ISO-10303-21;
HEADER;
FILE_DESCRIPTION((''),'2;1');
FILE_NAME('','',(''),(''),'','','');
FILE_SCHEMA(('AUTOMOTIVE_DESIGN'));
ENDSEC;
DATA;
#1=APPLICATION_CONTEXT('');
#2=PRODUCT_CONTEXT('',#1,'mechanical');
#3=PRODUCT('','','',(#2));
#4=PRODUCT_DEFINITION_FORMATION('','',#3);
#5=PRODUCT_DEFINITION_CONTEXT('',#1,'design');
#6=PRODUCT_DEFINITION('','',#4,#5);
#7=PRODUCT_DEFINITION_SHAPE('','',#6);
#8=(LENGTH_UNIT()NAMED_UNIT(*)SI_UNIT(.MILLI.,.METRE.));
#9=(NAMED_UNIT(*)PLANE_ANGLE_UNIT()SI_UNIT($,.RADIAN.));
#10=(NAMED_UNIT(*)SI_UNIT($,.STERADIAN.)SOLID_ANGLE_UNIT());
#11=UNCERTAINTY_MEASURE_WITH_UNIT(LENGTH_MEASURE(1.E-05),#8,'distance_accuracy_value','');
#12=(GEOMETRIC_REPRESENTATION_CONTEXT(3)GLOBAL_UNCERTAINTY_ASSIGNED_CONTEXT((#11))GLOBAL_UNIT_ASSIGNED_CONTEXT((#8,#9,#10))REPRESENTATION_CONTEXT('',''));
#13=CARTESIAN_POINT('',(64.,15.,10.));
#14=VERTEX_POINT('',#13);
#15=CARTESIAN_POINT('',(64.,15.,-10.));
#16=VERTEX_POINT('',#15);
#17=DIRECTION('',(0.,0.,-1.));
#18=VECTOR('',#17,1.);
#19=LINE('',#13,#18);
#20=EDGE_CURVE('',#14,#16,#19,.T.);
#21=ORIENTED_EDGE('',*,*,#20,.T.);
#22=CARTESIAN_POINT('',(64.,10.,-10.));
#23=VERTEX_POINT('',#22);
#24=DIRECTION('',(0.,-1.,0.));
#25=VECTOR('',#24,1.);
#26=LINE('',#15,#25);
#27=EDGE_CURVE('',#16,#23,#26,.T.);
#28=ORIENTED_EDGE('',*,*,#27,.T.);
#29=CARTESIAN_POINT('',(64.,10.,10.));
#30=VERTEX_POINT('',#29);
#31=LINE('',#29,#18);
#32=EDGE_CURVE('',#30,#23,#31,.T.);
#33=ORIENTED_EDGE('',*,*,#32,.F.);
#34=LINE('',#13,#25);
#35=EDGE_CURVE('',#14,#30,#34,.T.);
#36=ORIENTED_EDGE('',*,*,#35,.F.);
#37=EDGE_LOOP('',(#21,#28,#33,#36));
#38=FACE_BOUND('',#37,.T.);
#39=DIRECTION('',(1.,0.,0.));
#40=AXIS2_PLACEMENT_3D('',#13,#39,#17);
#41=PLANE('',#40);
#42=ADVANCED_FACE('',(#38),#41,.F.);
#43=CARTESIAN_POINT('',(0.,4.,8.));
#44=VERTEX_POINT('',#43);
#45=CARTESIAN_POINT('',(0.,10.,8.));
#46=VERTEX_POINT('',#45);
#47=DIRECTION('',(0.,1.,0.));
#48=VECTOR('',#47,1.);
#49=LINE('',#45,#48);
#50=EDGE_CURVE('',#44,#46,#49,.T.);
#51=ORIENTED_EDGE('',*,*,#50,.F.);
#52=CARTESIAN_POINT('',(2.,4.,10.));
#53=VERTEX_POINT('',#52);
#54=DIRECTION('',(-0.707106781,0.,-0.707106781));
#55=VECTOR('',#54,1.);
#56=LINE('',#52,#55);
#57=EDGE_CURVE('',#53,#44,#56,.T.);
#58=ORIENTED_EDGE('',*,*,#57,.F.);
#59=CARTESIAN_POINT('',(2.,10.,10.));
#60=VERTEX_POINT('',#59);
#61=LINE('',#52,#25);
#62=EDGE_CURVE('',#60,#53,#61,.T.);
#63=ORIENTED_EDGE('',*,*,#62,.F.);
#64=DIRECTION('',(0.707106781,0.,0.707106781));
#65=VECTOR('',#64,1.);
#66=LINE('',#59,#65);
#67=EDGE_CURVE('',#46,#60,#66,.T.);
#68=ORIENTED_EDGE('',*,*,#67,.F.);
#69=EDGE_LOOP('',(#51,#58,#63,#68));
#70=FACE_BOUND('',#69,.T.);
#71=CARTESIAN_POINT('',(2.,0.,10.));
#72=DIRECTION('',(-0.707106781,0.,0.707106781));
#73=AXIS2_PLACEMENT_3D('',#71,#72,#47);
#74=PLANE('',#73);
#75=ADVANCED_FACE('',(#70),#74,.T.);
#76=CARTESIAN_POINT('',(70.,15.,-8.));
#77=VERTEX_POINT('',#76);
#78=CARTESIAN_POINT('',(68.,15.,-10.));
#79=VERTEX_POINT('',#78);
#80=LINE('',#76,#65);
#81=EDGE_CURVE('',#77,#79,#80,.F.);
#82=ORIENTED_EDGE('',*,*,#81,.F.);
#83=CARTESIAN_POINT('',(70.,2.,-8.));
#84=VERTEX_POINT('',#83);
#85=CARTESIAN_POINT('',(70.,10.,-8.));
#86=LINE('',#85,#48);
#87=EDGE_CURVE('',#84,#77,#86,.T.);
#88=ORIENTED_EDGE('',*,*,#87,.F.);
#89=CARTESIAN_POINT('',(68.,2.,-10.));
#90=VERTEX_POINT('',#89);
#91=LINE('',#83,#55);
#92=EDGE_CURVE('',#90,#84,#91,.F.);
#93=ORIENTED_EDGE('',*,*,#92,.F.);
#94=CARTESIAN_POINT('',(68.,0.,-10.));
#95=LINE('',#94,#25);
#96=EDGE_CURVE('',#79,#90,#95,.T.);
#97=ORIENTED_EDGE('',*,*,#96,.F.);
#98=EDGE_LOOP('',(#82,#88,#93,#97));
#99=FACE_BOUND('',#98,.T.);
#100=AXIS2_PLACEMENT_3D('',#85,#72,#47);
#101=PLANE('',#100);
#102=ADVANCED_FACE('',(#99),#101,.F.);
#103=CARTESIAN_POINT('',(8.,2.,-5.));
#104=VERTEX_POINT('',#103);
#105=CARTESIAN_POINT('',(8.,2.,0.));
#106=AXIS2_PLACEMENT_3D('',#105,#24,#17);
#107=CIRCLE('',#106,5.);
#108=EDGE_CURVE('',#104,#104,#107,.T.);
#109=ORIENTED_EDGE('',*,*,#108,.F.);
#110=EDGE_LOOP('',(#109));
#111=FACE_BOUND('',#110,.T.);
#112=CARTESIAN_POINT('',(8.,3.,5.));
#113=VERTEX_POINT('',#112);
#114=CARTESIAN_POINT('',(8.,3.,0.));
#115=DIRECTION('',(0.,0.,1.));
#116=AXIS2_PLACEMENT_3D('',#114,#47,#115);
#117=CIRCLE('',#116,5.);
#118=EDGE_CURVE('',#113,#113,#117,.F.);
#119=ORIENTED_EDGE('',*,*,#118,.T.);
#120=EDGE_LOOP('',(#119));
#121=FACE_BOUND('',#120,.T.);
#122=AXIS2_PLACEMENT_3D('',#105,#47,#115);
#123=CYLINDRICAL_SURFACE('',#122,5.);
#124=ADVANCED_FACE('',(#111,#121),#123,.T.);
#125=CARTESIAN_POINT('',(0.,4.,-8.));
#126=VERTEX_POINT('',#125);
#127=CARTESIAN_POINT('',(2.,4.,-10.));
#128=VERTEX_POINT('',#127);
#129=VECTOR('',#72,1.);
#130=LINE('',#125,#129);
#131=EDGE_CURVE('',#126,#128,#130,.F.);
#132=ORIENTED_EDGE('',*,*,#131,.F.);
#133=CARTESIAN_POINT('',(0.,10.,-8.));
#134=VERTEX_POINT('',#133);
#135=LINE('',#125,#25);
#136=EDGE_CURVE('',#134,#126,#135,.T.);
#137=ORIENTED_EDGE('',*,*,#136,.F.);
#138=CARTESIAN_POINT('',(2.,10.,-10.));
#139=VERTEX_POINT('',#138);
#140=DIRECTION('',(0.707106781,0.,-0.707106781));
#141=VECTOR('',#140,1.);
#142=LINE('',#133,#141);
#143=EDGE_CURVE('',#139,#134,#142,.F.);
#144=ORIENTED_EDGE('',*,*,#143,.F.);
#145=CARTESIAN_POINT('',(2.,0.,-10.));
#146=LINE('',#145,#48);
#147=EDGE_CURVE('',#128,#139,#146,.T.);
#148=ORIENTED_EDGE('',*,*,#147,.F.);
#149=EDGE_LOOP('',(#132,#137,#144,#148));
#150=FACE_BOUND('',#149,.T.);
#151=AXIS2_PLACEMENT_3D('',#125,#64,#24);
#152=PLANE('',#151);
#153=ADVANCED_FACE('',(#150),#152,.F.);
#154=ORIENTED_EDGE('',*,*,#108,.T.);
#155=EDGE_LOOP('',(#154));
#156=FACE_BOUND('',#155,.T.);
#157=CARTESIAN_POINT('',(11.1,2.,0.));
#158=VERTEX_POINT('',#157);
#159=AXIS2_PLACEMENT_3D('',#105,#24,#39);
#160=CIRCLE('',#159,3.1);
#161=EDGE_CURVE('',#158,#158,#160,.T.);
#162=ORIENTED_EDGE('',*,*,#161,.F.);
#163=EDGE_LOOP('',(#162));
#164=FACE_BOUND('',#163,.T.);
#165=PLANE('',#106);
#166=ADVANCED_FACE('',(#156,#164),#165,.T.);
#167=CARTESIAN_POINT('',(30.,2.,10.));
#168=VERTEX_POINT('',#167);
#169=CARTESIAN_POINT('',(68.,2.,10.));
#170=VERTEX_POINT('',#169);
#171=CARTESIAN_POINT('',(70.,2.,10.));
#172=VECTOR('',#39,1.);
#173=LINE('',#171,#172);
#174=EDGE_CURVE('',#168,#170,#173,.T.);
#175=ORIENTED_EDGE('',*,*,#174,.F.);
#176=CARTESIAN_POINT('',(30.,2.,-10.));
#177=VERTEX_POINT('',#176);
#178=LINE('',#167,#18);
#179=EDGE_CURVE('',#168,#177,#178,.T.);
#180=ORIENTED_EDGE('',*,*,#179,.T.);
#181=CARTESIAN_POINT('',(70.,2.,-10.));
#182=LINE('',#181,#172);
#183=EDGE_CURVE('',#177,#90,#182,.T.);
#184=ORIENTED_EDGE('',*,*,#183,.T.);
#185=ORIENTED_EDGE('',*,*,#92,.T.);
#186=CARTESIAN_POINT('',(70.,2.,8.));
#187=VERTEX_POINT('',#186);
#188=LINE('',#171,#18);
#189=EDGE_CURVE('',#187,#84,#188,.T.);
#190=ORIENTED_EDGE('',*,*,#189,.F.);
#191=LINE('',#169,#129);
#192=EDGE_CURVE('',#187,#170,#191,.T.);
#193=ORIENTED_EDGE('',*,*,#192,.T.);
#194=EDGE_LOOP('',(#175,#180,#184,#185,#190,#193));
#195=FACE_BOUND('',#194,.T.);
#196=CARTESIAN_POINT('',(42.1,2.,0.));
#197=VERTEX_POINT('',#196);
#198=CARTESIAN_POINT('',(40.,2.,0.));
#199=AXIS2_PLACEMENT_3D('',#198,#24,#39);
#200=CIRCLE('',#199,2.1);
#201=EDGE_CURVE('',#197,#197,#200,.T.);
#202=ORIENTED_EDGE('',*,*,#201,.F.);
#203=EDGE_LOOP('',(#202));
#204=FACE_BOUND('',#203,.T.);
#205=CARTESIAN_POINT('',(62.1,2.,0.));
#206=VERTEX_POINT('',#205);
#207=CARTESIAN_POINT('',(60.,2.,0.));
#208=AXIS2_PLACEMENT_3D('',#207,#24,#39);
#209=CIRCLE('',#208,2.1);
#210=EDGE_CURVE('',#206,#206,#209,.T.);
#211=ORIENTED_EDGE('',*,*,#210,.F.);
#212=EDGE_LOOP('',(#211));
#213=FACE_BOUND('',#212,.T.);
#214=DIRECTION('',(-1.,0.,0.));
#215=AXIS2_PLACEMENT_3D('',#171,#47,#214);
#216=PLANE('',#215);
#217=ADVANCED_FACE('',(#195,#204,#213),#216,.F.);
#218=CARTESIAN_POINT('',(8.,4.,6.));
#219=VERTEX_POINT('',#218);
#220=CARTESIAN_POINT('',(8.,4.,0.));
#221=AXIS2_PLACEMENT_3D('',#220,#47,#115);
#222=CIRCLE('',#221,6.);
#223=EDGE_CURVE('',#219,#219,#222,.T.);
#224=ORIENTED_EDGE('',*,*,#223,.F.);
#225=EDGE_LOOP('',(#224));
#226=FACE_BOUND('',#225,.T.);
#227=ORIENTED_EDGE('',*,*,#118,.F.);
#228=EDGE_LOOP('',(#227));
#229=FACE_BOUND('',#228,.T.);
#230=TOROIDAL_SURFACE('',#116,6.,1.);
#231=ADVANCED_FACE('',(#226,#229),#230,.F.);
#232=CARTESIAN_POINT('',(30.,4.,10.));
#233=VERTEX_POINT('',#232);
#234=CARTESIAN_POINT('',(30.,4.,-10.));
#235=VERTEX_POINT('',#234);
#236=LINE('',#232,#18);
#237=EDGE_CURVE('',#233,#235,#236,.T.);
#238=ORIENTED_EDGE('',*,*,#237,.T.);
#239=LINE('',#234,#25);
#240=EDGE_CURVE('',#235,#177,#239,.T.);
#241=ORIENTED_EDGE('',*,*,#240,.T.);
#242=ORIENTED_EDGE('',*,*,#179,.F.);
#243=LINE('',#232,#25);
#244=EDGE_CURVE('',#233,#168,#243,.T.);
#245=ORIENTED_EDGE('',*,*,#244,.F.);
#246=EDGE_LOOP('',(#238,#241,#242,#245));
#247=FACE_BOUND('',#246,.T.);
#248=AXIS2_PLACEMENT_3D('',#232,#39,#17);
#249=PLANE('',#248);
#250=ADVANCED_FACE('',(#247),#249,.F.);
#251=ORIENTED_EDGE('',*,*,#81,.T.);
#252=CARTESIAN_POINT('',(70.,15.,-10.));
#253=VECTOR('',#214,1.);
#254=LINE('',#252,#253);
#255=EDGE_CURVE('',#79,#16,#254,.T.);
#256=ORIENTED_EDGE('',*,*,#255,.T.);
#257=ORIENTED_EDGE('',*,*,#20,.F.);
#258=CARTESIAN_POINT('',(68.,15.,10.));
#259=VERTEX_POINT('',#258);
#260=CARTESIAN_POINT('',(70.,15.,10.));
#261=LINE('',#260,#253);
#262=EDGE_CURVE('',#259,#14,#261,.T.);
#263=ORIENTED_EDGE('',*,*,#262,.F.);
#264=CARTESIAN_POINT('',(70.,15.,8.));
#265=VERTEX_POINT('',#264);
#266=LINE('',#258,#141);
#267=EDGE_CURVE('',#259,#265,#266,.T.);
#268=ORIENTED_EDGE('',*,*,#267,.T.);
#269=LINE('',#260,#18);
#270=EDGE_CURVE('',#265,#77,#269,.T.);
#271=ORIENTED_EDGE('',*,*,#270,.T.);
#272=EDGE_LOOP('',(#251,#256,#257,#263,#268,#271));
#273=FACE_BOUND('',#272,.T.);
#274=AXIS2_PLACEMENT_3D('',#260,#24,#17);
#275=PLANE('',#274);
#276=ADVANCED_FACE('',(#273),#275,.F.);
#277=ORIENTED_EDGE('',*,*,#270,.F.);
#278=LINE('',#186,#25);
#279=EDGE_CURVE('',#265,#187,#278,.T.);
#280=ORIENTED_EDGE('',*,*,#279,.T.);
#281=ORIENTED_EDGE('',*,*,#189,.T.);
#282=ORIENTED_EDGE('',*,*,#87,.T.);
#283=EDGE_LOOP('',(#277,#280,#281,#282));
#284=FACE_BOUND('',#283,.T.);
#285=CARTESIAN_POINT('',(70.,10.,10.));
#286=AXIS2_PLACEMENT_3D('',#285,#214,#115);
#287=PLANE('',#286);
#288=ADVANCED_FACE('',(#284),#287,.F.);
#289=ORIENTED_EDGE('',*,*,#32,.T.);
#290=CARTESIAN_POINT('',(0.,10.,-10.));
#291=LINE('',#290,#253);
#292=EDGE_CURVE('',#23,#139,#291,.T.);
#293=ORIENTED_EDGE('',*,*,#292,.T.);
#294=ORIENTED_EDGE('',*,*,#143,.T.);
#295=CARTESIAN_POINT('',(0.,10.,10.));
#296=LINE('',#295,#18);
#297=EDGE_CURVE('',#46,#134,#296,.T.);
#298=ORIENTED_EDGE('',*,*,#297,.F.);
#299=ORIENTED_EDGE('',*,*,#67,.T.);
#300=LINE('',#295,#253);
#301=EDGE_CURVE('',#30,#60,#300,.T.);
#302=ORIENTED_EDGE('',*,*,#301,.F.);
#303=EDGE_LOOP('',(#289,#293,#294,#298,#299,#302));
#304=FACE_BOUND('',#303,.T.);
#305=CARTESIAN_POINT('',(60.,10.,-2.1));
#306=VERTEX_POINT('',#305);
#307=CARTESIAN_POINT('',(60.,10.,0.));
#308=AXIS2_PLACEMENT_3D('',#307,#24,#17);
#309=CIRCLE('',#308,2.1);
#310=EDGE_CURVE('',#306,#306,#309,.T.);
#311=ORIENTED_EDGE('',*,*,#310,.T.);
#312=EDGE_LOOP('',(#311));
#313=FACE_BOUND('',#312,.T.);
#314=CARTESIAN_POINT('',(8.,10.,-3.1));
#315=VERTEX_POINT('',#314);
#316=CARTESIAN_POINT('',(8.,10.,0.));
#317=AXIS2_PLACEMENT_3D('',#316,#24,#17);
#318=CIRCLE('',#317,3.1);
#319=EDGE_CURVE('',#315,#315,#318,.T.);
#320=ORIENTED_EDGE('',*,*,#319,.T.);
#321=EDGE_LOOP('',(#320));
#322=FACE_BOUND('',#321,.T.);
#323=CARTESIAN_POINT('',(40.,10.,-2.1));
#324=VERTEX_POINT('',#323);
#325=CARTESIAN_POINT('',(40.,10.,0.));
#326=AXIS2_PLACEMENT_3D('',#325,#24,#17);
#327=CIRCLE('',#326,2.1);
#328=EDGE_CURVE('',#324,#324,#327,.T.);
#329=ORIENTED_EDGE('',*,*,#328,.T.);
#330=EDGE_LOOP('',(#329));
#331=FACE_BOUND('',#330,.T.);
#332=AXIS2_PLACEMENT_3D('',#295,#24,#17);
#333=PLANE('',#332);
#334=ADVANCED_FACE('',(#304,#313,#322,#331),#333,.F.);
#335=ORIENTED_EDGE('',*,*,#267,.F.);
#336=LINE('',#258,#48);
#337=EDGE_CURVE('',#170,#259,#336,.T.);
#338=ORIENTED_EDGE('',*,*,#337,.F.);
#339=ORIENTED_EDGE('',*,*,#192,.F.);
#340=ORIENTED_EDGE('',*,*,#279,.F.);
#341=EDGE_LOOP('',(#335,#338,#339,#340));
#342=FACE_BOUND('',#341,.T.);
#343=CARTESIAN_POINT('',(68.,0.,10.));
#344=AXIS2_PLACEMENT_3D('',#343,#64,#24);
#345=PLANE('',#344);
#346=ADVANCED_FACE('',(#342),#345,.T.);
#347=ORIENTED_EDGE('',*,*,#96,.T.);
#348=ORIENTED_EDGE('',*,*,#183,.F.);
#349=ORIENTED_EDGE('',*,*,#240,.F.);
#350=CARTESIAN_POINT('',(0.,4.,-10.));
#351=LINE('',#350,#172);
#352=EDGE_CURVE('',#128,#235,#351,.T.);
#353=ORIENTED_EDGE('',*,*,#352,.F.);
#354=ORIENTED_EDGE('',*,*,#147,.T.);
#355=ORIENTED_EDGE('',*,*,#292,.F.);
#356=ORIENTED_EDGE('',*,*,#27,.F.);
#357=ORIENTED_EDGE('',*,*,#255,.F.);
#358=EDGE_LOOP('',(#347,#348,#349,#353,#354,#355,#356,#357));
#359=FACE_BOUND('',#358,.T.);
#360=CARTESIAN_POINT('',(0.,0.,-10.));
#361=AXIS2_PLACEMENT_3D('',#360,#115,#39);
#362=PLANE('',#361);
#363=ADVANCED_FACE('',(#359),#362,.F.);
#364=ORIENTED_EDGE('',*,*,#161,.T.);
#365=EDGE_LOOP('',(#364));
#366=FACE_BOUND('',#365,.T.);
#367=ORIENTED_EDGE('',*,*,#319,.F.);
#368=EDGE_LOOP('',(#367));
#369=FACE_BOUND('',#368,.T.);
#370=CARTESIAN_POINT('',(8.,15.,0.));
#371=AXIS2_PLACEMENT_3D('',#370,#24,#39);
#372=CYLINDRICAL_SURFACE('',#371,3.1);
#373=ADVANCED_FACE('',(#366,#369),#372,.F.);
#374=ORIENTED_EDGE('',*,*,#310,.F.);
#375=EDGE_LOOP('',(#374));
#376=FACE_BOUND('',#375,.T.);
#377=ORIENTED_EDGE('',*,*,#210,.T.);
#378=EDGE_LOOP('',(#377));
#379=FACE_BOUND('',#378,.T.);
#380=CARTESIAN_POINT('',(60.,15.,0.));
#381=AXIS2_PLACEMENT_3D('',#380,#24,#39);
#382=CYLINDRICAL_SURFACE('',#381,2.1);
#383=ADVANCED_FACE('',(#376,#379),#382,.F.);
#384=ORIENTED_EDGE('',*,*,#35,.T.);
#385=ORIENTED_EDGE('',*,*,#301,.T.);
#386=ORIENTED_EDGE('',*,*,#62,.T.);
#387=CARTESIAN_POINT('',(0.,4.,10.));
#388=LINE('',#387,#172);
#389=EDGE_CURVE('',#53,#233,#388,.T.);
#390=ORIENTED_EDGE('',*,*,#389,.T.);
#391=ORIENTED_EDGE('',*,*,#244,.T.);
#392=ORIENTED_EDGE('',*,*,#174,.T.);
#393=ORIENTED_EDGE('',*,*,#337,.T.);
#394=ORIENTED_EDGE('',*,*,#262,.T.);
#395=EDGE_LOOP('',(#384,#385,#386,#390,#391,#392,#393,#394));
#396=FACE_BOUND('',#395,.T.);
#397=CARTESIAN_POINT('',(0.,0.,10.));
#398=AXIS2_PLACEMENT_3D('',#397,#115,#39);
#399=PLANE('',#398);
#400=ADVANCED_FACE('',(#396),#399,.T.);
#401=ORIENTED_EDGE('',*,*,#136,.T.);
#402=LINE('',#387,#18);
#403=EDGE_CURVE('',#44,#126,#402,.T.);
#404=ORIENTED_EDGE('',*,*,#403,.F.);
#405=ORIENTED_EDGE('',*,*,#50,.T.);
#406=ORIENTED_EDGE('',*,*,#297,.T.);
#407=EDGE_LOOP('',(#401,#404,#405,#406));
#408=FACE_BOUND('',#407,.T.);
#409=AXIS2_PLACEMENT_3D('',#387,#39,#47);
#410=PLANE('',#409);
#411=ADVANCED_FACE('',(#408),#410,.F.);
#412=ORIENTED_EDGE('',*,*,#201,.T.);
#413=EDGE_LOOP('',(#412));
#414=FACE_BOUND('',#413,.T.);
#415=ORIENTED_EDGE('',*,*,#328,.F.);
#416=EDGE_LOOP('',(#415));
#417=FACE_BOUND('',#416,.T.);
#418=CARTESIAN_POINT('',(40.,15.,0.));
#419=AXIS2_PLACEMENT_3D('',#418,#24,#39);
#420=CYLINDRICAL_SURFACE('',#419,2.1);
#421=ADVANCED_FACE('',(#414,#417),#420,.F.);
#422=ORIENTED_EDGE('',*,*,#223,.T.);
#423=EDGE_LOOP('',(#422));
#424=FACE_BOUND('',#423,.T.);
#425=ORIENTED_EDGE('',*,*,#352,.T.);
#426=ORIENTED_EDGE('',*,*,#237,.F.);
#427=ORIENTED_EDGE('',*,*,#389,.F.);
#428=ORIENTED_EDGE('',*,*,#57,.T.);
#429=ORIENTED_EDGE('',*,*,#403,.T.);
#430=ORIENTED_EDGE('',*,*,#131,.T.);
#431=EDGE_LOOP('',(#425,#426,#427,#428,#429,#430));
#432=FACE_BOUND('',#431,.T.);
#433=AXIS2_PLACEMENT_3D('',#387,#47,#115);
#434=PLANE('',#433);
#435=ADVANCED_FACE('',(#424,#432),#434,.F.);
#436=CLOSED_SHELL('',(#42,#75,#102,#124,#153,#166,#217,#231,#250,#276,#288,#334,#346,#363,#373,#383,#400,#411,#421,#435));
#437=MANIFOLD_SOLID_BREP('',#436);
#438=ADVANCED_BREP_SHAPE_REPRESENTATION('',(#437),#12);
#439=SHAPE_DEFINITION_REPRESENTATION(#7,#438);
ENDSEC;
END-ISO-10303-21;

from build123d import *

# Parameters (mm, degrees)
EXTRUDE_1_DEPTH     = 10
SKETCH_3_R          = 5
EXTRUDE_2_DEPTH     = 2
CHAMFER_1_SIZE      = 2
CHAMFER_2_SIZE      = 2
SKETCH_4_R          = 2.1
SKETCH_4_R_2        = 3.1
CUT_EXTRUDE_1_DEPTH = 72.895757872
FILLET_1_R          = 1


with BuildPart() as part:
    # 草图1 → 凸台-拉伸1 (new, symmetric)
    with BuildSketch(Plane.XY):
        Polygon((0, 4), (0, 10), (64, 10), (64, 15), (70, 15), (70, 10), (70, 2), (30, 2), (30, 4), align=None)
    extrude(amount=EXTRUDE_1_DEPTH, both=True)

    # 草图3 → 凸台-拉伸2 (add)
    with BuildSketch(Plane.XZ.offset(-4)):
        with Locations(Location((8, 0, 0), (0, 0, 90))):
            Circle(SKETCH_3_R)
    extrude(amount=EXTRUDE_2_DEPTH)

    # 倒角1
    chamfer_1_edges = [part.edges().sort_by_distance(p)[0] for p in [
        (0, 7, -10),
        (0, 7, 10),
    ]]
    chamfer(chamfer_1_edges, length=CHAMFER_1_SIZE)

    # 倒角2
    chamfer_2_edges = [part.edges().sort_by_distance(p)[0] for p in [
        (70, 8.5, 10),
        (70, 8.5, -10),
    ]]
    chamfer(chamfer_2_edges, length=CHAMFER_2_SIZE)

    # 草图4 → 切除-拉伸1 (cut, through all)
    with BuildSketch(Plane.XZ.offset(-2)):
        with Locations((40, 0)):
            Circle(SKETCH_4_R)
        with Locations((60, 0)):
            Circle(SKETCH_4_R)
        with Locations((8, 0)):
            Circle(SKETCH_4_R_2)
    extrude(amount=-CUT_EXTRUDE_1_DEPTH, mode=Mode.SUBTRACT)

    # 圆角1
    fillet_1_edges = [part.edges().sort_by_distance(p)[0] for p in [
        (8, 4, -5),
    ]]
    fillet(fillet_1_edges, radius=FILLET_1_R)


solid = part.part
